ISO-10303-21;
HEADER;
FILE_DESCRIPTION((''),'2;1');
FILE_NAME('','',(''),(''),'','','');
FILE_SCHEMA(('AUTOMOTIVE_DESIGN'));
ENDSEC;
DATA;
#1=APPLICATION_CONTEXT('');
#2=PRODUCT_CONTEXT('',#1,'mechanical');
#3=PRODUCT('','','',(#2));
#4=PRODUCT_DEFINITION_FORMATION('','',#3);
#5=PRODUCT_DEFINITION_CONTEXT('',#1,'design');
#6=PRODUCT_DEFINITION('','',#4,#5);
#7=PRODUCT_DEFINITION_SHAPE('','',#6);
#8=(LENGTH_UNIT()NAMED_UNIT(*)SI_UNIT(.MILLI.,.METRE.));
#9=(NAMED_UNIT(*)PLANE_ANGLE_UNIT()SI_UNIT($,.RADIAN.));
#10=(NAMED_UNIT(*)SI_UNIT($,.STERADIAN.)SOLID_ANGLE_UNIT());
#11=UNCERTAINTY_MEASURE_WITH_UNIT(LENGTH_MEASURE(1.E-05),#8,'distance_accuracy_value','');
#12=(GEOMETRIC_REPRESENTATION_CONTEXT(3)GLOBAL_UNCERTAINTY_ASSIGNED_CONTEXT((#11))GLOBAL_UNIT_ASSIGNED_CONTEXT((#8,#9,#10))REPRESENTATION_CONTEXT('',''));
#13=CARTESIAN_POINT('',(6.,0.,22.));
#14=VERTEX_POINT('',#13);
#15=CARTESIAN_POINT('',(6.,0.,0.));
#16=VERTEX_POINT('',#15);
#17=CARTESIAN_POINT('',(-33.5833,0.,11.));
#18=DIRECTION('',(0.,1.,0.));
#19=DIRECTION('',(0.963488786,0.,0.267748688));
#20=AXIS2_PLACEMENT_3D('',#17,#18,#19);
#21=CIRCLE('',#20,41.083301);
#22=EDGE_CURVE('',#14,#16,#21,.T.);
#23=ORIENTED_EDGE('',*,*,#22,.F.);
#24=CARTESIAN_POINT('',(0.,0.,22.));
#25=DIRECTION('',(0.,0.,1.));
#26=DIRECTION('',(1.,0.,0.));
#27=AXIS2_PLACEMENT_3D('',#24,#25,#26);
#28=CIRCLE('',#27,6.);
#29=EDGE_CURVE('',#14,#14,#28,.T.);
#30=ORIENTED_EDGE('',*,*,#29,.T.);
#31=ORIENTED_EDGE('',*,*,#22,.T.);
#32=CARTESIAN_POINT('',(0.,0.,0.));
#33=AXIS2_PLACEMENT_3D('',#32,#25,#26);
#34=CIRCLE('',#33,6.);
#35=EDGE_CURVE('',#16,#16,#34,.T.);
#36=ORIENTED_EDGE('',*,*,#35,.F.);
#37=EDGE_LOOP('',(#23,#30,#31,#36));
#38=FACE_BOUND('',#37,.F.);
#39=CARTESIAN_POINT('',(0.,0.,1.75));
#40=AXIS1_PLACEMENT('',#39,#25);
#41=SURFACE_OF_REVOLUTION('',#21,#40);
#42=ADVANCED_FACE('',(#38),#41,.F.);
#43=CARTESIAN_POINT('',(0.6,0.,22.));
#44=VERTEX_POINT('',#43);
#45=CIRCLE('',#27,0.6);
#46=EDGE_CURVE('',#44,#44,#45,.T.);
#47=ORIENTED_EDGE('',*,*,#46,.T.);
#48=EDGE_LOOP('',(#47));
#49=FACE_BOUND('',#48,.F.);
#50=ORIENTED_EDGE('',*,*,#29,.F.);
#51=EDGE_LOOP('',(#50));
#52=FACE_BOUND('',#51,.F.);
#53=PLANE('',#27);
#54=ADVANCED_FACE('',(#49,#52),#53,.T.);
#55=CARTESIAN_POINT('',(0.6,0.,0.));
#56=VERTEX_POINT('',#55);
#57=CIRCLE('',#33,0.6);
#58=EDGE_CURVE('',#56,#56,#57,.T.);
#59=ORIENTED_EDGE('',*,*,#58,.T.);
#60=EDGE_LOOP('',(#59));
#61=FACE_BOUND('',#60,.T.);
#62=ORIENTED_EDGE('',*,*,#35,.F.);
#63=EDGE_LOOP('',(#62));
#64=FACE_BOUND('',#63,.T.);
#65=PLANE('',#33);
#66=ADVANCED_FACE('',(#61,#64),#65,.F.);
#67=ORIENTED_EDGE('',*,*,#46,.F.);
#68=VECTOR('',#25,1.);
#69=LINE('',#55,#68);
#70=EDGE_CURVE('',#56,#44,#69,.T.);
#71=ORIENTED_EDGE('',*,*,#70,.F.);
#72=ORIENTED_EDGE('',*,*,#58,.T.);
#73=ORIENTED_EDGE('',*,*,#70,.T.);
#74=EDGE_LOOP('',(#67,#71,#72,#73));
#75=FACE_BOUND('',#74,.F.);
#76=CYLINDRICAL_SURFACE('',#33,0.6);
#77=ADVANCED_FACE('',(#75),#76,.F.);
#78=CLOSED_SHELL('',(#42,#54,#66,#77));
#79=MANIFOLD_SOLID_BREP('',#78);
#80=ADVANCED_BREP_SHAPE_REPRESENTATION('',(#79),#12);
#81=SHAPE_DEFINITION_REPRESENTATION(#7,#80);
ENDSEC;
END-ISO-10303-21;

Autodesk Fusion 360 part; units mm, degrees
sketch "Sketch1" plane through (0, 0, 0) normal (0, 1, 0) x (1, 0, 0)
  line L0 (0.6, 0) -> (0.6, -22)
  line L1 (0.6, -22) -> (6, -22)
  line L2 (0.6, 0) -> (6, 0)
  line L3 (0.6, -11) -> (7.5, -11) construction
  arc A0 (6, -22) -> (6, 0) centre (-33.5833, -11) ccw
  dimension "d2" = 0.6
  dimension "d5" = 6.9
  dimension "d6" = 11
  dimension "d8" = 22
  dimension "d9" = 5.4
  dimension "d10" = 5.4
revolve "Revolve1" add sketch "Sketch1" angle 360 about axis through (0, 0, 1.75) along (0, 0, 1)
equation "d5 = 7.5 mm - 0.6 mm"
equation "d6 = d8 / 2"
equation "d10 = d9"
